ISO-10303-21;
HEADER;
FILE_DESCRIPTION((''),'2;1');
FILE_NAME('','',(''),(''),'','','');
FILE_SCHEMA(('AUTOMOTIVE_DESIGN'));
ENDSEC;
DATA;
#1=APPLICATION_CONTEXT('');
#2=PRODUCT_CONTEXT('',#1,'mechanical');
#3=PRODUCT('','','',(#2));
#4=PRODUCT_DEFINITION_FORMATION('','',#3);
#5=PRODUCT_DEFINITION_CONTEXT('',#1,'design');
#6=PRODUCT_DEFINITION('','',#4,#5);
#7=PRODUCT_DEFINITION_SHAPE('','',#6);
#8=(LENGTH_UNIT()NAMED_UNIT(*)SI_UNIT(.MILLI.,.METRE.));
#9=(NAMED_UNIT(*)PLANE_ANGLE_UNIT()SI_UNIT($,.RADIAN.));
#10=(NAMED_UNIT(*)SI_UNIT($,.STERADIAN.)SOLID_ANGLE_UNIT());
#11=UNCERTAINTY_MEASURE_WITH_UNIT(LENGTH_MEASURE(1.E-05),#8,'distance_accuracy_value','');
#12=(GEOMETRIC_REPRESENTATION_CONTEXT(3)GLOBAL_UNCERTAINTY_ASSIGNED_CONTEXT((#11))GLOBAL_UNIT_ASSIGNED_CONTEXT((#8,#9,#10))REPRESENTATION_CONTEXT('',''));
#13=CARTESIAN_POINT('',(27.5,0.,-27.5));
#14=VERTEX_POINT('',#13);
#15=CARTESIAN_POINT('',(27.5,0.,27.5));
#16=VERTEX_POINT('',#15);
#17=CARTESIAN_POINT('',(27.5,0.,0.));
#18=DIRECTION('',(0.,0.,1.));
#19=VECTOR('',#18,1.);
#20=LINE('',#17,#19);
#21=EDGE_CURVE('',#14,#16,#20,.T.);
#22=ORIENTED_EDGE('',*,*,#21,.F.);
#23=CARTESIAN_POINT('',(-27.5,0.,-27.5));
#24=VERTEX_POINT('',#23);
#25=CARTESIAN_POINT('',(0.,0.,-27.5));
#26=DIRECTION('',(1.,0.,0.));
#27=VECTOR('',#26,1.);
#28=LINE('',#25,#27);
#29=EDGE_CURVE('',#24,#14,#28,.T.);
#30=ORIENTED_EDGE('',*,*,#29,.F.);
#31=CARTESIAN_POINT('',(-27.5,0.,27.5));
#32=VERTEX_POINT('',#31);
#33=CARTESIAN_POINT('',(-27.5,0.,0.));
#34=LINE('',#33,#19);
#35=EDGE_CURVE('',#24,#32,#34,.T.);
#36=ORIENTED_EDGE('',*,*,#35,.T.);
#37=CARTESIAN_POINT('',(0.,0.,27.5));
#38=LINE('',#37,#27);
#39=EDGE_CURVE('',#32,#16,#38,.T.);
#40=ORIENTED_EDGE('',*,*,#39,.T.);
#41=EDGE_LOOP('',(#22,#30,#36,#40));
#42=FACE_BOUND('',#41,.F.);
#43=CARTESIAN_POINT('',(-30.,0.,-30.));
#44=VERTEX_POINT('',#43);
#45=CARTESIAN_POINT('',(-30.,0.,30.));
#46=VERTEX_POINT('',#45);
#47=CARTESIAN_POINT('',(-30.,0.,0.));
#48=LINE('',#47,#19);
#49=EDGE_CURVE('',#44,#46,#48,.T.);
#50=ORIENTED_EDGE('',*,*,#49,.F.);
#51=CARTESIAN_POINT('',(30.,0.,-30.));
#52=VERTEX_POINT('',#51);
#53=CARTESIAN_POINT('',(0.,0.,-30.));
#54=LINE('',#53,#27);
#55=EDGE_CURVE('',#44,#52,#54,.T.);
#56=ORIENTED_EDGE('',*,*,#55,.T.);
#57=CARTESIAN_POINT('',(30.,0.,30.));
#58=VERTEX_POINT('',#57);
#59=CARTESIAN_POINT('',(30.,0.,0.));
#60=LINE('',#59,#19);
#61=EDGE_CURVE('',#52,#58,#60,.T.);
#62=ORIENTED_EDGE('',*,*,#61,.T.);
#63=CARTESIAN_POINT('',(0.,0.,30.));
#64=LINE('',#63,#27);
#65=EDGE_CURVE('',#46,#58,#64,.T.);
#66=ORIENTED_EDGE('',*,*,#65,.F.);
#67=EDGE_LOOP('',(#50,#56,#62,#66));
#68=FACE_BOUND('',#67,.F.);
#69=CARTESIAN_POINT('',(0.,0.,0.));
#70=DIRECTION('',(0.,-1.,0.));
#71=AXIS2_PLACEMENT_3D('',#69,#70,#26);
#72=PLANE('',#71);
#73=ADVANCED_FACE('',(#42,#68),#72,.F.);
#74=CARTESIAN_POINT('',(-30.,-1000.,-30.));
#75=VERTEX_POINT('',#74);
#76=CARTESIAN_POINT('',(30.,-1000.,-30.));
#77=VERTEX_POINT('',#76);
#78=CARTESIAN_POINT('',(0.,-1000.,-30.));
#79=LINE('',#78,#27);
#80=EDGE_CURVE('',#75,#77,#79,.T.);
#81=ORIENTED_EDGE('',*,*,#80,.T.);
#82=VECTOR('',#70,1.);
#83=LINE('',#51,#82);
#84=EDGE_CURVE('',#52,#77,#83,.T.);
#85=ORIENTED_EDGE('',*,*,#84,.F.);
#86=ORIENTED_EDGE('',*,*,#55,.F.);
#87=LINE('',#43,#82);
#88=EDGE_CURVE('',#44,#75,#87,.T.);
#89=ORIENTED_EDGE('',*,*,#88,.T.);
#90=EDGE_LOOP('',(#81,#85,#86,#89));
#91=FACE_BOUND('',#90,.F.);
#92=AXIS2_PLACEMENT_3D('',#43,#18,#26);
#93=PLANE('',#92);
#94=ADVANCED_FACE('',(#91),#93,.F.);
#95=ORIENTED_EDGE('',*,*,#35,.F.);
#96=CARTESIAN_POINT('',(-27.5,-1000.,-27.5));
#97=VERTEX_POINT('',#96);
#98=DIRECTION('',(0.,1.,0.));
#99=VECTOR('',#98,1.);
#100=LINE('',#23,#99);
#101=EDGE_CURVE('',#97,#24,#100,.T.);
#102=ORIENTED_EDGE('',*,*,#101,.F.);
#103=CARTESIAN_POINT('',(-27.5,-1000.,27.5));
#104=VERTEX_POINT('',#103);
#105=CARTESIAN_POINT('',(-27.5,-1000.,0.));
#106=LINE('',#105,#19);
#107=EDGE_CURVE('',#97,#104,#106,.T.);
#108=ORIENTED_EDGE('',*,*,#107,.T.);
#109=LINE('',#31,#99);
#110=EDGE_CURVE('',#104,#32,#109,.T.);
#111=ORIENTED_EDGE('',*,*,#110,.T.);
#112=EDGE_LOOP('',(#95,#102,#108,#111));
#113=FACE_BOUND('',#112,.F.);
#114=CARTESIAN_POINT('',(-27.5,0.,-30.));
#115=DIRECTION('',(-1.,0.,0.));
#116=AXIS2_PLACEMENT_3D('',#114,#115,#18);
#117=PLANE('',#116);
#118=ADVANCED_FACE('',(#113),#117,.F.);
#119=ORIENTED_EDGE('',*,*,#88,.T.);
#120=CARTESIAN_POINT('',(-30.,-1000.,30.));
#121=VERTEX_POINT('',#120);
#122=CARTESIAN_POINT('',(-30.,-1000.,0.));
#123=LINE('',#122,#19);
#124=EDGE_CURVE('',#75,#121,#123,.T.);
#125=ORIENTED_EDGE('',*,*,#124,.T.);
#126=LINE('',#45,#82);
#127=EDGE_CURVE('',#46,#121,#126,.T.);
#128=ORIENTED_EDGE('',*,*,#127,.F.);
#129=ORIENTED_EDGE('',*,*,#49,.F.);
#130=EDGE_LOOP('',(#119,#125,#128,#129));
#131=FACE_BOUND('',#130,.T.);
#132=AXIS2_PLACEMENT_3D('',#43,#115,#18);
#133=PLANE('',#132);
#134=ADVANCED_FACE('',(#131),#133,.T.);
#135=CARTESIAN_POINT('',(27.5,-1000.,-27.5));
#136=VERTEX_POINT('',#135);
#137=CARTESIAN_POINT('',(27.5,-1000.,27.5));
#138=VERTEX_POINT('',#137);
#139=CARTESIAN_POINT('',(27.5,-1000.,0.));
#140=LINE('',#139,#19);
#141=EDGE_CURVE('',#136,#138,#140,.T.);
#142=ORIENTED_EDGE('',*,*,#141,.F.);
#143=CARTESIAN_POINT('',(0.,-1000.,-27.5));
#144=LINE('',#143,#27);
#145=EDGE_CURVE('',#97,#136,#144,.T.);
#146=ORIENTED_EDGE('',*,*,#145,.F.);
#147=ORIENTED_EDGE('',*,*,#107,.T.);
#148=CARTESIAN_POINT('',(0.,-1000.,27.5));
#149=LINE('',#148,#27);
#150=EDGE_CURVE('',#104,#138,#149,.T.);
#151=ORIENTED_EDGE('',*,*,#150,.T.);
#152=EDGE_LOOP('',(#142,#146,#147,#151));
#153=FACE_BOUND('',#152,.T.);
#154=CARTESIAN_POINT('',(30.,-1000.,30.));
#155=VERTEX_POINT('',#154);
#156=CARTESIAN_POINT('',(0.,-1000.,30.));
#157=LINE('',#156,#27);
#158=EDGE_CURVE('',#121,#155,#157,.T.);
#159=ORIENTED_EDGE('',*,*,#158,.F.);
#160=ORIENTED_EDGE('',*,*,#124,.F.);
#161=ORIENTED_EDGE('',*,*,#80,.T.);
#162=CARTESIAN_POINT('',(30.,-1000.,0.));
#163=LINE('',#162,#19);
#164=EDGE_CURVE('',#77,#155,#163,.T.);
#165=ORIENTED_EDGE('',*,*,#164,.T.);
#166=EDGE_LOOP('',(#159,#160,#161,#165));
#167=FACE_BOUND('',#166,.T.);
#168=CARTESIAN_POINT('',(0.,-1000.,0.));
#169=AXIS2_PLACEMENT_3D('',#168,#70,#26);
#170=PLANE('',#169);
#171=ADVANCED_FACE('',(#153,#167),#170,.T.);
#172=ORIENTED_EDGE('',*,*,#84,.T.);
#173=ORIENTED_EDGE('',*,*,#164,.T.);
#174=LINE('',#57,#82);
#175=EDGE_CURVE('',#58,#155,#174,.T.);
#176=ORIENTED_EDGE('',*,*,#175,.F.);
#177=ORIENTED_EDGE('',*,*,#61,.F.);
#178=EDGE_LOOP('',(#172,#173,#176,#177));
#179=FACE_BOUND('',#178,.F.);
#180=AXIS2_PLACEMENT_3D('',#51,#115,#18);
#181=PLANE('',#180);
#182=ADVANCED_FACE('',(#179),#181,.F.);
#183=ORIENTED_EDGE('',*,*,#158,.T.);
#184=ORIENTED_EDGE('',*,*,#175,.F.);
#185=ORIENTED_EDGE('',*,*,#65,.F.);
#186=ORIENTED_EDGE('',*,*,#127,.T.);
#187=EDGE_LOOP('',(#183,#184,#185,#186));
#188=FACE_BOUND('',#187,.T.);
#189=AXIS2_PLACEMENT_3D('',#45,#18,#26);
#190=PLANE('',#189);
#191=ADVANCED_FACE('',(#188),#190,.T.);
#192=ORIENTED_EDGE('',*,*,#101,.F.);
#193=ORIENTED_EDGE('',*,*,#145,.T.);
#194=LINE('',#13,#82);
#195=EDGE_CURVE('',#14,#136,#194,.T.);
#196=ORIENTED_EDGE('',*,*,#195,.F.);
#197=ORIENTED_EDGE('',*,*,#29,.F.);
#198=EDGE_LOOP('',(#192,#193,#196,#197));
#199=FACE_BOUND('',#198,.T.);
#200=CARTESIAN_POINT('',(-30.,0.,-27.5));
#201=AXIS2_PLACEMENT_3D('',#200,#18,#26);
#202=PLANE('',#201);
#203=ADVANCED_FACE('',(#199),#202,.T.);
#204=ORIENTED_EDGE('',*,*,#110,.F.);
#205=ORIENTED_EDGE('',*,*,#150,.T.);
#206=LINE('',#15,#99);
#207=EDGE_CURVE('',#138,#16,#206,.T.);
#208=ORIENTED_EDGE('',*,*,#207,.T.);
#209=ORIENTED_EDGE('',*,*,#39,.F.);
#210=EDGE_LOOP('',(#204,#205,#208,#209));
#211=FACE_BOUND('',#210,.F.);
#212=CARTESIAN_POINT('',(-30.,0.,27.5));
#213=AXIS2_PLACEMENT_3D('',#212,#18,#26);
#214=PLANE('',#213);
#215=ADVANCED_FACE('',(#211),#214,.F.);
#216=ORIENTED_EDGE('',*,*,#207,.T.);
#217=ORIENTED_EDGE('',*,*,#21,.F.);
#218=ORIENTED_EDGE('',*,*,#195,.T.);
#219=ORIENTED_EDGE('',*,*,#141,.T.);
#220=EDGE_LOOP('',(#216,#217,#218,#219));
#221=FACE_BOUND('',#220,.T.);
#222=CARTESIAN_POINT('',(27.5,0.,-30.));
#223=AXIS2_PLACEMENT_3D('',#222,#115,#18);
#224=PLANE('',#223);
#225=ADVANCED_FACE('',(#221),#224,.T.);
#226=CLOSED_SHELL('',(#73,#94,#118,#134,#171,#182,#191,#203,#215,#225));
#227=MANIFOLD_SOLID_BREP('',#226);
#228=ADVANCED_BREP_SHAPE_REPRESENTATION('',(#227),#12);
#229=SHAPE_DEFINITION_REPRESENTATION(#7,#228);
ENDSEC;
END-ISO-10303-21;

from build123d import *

# Parameters (mm, degrees)
F0_W     = 60
F0_H     = 60
F1_DEPTH = 1000
F2_T     = -2.5


with BuildPart() as f1:
    # F0 (on Front) → F1 (new body)
    with BuildSketch(Plane.XZ):
        Rectangle(F0_W, F0_H)
    extrude(amount=F1_DEPTH)

    # F2
    f2_openings = [f1.faces().sort_by_distance(p)[0] for p in [
        (0, -1000, 0),
        (0, 0, 0),
    ]]
    offset(amount=F2_T, openings=f2_openings)


solid = f1.part
